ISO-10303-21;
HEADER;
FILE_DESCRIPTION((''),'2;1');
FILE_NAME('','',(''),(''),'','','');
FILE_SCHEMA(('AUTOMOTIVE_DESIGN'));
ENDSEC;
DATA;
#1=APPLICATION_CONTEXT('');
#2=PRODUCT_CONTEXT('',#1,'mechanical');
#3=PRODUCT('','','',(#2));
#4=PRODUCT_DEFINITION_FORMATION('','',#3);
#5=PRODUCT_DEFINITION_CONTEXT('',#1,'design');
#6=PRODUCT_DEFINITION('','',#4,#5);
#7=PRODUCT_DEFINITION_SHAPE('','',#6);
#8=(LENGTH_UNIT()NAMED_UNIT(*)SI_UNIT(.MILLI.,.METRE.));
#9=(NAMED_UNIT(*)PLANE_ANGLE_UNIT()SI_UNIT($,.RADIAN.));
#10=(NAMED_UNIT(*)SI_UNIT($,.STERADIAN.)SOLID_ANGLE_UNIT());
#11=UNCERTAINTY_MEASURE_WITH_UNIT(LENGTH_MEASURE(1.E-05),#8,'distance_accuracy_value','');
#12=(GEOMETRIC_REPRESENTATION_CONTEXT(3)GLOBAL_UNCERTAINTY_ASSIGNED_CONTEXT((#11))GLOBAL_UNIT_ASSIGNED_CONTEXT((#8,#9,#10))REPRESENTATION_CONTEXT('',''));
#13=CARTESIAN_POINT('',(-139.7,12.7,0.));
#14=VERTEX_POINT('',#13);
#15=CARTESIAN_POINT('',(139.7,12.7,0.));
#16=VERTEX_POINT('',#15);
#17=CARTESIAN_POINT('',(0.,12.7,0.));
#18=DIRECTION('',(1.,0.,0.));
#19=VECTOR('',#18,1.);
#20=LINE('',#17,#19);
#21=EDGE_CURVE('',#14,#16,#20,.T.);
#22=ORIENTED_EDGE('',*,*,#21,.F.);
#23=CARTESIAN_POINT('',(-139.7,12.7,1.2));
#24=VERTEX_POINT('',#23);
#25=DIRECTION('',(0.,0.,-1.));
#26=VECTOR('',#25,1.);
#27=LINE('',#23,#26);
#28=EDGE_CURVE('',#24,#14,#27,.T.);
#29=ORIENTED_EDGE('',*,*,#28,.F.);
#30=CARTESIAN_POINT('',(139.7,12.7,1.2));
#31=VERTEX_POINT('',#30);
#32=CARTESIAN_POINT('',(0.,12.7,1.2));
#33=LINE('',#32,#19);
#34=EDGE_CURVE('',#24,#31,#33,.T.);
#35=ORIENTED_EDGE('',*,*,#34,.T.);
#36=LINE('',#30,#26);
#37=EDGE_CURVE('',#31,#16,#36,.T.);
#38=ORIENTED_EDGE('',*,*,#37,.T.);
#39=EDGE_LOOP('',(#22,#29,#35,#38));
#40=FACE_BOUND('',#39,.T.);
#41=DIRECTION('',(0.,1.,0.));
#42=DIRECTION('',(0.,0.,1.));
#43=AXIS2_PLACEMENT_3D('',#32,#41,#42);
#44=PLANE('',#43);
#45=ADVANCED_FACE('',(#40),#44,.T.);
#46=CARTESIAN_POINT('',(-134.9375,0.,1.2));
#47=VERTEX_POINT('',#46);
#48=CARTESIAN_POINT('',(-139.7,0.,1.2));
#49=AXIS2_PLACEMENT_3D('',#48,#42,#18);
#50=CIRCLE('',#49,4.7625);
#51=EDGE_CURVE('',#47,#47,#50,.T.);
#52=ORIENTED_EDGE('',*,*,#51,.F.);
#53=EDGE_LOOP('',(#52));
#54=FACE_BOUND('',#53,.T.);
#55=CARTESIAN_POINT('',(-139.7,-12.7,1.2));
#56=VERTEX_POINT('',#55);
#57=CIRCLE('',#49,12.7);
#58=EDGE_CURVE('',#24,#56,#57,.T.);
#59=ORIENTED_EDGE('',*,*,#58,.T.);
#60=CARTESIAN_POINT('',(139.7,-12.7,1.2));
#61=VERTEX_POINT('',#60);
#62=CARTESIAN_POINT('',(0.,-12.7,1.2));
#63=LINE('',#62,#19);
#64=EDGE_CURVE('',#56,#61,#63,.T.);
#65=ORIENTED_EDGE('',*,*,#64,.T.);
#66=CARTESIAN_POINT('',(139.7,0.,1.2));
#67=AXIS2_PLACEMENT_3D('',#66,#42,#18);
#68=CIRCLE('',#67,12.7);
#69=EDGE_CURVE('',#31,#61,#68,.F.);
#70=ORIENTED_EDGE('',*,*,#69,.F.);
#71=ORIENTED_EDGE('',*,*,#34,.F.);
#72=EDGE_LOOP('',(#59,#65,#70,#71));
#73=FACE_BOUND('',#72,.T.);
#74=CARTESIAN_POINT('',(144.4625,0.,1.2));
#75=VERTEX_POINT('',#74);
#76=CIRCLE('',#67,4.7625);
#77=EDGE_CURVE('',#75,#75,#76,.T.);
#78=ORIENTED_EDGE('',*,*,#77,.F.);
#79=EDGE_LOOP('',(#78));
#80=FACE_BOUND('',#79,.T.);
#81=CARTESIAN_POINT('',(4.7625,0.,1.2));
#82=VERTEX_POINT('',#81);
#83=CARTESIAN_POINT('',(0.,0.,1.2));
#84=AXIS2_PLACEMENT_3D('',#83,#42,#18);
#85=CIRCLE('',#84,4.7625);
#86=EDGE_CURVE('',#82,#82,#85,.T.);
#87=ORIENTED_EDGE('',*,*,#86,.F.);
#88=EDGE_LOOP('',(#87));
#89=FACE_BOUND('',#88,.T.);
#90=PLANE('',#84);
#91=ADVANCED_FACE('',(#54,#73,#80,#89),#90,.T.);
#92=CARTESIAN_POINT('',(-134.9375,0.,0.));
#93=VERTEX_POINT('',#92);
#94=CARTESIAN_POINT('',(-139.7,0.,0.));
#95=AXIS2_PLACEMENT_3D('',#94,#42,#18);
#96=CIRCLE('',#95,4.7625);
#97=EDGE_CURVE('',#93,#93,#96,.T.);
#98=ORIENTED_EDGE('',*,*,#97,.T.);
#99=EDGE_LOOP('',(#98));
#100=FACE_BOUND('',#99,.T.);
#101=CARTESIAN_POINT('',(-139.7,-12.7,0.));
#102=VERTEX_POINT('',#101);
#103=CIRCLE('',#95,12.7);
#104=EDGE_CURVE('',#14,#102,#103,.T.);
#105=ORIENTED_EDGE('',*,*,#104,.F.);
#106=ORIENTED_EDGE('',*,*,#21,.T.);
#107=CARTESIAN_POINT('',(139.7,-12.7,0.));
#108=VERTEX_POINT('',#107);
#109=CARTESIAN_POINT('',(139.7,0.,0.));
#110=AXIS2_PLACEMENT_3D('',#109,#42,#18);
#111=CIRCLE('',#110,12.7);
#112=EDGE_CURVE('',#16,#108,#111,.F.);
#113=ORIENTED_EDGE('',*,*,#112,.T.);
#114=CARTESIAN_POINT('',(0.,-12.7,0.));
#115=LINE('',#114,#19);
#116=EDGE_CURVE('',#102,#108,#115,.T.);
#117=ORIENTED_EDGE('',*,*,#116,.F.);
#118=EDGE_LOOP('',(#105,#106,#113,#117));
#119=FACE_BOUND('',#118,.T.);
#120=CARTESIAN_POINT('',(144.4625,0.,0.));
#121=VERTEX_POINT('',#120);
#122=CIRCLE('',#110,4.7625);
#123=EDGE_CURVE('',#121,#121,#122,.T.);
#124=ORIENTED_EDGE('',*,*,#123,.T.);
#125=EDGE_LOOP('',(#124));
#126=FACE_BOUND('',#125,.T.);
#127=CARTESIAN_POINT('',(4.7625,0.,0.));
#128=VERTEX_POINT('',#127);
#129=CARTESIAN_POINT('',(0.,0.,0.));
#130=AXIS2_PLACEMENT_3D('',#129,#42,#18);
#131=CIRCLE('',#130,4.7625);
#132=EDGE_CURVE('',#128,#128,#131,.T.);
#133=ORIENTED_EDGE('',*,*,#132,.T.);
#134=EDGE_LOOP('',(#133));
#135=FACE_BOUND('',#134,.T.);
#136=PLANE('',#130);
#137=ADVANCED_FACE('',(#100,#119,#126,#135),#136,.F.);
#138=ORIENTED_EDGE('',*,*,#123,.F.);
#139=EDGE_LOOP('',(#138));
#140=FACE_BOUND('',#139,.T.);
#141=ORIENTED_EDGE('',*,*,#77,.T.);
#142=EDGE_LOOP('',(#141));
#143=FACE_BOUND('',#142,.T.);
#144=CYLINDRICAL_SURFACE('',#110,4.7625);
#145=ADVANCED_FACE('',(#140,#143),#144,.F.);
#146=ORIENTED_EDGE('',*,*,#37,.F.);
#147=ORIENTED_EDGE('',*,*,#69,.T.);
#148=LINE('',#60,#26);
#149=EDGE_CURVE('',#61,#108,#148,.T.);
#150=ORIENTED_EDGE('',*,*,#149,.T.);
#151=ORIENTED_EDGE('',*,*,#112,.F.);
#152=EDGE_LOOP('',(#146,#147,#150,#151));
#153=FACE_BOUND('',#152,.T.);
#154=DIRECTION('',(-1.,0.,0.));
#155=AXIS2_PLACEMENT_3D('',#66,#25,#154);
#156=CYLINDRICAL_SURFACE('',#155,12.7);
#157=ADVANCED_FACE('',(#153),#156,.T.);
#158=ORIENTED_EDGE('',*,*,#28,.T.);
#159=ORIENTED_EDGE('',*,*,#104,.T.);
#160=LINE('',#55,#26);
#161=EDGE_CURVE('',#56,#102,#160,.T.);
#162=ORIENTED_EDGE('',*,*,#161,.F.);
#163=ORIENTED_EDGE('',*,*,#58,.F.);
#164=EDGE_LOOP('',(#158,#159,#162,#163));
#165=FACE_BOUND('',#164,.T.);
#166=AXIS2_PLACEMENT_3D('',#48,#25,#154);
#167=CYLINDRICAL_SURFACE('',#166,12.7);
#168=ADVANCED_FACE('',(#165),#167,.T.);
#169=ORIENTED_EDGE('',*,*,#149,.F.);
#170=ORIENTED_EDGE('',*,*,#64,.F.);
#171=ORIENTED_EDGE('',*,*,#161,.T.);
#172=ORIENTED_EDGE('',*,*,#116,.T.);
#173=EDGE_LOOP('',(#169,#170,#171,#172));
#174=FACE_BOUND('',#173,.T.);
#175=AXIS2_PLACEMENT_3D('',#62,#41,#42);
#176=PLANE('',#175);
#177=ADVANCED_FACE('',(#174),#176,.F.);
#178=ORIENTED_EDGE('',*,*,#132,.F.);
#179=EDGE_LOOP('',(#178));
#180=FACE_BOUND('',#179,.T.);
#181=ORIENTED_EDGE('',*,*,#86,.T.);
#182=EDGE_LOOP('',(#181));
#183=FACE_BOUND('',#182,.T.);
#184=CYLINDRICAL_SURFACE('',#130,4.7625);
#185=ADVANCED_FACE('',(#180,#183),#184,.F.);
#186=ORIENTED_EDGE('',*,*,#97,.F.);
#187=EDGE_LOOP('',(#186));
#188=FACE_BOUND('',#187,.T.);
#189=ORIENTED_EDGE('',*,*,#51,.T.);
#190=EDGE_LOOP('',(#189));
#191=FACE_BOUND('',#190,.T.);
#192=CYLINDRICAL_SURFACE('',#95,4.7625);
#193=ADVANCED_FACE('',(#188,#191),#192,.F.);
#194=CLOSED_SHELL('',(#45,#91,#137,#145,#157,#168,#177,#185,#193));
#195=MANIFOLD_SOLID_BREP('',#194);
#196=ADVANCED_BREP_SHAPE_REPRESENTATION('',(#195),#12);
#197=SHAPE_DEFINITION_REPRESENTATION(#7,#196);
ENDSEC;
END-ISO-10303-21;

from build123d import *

# Parameters (mm, degrees)
SKETCH1_W           = 279.4
SKETCH1_H           = 25.4
BOSS_EXTRUDE1_DEPTH = 1.2
SKETCH2_R           = 4.7625
CUT_EXTRUDE1_DEPTH  = 2.2
SKETCH3_R           = 4.7625
CUT_EXTRUDE2_DEPTH  = 2.2


with BuildPart() as part:
    # Sketch1 → Boss-Extrude1 (new body)
    with BuildSketch(Plane.XY):
        Rectangle(SKETCH1_W, SKETCH1_H)
        with BuildLine():
            ThreePointArc((139.7, 12.7), (152.4, 0), (139.7, -12.7))
            Line((139.7, -12.7), (139.7, 12.7))
        make_face()
        with BuildLine():
            Line((-139.7, 12.7), (-139.7, -12.7))
            ThreePointArc((-139.7, -12.7), (-152.4, 0), (-139.7, 12.7))
        make_face()
    extrude(amount=BOSS_EXTRUDE1_DEPTH)

    # Sketch2 → Cut-Extrude1 (cut, through all)
    with BuildSketch(Plane.XY.offset(1.2)):
        Circle(SKETCH2_R)
    extrude(amount=-CUT_EXTRUDE1_DEPTH, mode=Mode.SUBTRACT)

    # Sketch3 → Cut-Extrude2 (cut, through all)
    with BuildSketch(Plane.XY.offset(1.2)):
        with Locations((-139.7, 0)):
            Circle(SKETCH3_R)
        with Locations((139.7, 0)):
            Circle(SKETCH3_R)
    extrude(amount=-CUT_EXTRUDE2_DEPTH, mode=Mode.SUBTRACT)


solid = part.part
